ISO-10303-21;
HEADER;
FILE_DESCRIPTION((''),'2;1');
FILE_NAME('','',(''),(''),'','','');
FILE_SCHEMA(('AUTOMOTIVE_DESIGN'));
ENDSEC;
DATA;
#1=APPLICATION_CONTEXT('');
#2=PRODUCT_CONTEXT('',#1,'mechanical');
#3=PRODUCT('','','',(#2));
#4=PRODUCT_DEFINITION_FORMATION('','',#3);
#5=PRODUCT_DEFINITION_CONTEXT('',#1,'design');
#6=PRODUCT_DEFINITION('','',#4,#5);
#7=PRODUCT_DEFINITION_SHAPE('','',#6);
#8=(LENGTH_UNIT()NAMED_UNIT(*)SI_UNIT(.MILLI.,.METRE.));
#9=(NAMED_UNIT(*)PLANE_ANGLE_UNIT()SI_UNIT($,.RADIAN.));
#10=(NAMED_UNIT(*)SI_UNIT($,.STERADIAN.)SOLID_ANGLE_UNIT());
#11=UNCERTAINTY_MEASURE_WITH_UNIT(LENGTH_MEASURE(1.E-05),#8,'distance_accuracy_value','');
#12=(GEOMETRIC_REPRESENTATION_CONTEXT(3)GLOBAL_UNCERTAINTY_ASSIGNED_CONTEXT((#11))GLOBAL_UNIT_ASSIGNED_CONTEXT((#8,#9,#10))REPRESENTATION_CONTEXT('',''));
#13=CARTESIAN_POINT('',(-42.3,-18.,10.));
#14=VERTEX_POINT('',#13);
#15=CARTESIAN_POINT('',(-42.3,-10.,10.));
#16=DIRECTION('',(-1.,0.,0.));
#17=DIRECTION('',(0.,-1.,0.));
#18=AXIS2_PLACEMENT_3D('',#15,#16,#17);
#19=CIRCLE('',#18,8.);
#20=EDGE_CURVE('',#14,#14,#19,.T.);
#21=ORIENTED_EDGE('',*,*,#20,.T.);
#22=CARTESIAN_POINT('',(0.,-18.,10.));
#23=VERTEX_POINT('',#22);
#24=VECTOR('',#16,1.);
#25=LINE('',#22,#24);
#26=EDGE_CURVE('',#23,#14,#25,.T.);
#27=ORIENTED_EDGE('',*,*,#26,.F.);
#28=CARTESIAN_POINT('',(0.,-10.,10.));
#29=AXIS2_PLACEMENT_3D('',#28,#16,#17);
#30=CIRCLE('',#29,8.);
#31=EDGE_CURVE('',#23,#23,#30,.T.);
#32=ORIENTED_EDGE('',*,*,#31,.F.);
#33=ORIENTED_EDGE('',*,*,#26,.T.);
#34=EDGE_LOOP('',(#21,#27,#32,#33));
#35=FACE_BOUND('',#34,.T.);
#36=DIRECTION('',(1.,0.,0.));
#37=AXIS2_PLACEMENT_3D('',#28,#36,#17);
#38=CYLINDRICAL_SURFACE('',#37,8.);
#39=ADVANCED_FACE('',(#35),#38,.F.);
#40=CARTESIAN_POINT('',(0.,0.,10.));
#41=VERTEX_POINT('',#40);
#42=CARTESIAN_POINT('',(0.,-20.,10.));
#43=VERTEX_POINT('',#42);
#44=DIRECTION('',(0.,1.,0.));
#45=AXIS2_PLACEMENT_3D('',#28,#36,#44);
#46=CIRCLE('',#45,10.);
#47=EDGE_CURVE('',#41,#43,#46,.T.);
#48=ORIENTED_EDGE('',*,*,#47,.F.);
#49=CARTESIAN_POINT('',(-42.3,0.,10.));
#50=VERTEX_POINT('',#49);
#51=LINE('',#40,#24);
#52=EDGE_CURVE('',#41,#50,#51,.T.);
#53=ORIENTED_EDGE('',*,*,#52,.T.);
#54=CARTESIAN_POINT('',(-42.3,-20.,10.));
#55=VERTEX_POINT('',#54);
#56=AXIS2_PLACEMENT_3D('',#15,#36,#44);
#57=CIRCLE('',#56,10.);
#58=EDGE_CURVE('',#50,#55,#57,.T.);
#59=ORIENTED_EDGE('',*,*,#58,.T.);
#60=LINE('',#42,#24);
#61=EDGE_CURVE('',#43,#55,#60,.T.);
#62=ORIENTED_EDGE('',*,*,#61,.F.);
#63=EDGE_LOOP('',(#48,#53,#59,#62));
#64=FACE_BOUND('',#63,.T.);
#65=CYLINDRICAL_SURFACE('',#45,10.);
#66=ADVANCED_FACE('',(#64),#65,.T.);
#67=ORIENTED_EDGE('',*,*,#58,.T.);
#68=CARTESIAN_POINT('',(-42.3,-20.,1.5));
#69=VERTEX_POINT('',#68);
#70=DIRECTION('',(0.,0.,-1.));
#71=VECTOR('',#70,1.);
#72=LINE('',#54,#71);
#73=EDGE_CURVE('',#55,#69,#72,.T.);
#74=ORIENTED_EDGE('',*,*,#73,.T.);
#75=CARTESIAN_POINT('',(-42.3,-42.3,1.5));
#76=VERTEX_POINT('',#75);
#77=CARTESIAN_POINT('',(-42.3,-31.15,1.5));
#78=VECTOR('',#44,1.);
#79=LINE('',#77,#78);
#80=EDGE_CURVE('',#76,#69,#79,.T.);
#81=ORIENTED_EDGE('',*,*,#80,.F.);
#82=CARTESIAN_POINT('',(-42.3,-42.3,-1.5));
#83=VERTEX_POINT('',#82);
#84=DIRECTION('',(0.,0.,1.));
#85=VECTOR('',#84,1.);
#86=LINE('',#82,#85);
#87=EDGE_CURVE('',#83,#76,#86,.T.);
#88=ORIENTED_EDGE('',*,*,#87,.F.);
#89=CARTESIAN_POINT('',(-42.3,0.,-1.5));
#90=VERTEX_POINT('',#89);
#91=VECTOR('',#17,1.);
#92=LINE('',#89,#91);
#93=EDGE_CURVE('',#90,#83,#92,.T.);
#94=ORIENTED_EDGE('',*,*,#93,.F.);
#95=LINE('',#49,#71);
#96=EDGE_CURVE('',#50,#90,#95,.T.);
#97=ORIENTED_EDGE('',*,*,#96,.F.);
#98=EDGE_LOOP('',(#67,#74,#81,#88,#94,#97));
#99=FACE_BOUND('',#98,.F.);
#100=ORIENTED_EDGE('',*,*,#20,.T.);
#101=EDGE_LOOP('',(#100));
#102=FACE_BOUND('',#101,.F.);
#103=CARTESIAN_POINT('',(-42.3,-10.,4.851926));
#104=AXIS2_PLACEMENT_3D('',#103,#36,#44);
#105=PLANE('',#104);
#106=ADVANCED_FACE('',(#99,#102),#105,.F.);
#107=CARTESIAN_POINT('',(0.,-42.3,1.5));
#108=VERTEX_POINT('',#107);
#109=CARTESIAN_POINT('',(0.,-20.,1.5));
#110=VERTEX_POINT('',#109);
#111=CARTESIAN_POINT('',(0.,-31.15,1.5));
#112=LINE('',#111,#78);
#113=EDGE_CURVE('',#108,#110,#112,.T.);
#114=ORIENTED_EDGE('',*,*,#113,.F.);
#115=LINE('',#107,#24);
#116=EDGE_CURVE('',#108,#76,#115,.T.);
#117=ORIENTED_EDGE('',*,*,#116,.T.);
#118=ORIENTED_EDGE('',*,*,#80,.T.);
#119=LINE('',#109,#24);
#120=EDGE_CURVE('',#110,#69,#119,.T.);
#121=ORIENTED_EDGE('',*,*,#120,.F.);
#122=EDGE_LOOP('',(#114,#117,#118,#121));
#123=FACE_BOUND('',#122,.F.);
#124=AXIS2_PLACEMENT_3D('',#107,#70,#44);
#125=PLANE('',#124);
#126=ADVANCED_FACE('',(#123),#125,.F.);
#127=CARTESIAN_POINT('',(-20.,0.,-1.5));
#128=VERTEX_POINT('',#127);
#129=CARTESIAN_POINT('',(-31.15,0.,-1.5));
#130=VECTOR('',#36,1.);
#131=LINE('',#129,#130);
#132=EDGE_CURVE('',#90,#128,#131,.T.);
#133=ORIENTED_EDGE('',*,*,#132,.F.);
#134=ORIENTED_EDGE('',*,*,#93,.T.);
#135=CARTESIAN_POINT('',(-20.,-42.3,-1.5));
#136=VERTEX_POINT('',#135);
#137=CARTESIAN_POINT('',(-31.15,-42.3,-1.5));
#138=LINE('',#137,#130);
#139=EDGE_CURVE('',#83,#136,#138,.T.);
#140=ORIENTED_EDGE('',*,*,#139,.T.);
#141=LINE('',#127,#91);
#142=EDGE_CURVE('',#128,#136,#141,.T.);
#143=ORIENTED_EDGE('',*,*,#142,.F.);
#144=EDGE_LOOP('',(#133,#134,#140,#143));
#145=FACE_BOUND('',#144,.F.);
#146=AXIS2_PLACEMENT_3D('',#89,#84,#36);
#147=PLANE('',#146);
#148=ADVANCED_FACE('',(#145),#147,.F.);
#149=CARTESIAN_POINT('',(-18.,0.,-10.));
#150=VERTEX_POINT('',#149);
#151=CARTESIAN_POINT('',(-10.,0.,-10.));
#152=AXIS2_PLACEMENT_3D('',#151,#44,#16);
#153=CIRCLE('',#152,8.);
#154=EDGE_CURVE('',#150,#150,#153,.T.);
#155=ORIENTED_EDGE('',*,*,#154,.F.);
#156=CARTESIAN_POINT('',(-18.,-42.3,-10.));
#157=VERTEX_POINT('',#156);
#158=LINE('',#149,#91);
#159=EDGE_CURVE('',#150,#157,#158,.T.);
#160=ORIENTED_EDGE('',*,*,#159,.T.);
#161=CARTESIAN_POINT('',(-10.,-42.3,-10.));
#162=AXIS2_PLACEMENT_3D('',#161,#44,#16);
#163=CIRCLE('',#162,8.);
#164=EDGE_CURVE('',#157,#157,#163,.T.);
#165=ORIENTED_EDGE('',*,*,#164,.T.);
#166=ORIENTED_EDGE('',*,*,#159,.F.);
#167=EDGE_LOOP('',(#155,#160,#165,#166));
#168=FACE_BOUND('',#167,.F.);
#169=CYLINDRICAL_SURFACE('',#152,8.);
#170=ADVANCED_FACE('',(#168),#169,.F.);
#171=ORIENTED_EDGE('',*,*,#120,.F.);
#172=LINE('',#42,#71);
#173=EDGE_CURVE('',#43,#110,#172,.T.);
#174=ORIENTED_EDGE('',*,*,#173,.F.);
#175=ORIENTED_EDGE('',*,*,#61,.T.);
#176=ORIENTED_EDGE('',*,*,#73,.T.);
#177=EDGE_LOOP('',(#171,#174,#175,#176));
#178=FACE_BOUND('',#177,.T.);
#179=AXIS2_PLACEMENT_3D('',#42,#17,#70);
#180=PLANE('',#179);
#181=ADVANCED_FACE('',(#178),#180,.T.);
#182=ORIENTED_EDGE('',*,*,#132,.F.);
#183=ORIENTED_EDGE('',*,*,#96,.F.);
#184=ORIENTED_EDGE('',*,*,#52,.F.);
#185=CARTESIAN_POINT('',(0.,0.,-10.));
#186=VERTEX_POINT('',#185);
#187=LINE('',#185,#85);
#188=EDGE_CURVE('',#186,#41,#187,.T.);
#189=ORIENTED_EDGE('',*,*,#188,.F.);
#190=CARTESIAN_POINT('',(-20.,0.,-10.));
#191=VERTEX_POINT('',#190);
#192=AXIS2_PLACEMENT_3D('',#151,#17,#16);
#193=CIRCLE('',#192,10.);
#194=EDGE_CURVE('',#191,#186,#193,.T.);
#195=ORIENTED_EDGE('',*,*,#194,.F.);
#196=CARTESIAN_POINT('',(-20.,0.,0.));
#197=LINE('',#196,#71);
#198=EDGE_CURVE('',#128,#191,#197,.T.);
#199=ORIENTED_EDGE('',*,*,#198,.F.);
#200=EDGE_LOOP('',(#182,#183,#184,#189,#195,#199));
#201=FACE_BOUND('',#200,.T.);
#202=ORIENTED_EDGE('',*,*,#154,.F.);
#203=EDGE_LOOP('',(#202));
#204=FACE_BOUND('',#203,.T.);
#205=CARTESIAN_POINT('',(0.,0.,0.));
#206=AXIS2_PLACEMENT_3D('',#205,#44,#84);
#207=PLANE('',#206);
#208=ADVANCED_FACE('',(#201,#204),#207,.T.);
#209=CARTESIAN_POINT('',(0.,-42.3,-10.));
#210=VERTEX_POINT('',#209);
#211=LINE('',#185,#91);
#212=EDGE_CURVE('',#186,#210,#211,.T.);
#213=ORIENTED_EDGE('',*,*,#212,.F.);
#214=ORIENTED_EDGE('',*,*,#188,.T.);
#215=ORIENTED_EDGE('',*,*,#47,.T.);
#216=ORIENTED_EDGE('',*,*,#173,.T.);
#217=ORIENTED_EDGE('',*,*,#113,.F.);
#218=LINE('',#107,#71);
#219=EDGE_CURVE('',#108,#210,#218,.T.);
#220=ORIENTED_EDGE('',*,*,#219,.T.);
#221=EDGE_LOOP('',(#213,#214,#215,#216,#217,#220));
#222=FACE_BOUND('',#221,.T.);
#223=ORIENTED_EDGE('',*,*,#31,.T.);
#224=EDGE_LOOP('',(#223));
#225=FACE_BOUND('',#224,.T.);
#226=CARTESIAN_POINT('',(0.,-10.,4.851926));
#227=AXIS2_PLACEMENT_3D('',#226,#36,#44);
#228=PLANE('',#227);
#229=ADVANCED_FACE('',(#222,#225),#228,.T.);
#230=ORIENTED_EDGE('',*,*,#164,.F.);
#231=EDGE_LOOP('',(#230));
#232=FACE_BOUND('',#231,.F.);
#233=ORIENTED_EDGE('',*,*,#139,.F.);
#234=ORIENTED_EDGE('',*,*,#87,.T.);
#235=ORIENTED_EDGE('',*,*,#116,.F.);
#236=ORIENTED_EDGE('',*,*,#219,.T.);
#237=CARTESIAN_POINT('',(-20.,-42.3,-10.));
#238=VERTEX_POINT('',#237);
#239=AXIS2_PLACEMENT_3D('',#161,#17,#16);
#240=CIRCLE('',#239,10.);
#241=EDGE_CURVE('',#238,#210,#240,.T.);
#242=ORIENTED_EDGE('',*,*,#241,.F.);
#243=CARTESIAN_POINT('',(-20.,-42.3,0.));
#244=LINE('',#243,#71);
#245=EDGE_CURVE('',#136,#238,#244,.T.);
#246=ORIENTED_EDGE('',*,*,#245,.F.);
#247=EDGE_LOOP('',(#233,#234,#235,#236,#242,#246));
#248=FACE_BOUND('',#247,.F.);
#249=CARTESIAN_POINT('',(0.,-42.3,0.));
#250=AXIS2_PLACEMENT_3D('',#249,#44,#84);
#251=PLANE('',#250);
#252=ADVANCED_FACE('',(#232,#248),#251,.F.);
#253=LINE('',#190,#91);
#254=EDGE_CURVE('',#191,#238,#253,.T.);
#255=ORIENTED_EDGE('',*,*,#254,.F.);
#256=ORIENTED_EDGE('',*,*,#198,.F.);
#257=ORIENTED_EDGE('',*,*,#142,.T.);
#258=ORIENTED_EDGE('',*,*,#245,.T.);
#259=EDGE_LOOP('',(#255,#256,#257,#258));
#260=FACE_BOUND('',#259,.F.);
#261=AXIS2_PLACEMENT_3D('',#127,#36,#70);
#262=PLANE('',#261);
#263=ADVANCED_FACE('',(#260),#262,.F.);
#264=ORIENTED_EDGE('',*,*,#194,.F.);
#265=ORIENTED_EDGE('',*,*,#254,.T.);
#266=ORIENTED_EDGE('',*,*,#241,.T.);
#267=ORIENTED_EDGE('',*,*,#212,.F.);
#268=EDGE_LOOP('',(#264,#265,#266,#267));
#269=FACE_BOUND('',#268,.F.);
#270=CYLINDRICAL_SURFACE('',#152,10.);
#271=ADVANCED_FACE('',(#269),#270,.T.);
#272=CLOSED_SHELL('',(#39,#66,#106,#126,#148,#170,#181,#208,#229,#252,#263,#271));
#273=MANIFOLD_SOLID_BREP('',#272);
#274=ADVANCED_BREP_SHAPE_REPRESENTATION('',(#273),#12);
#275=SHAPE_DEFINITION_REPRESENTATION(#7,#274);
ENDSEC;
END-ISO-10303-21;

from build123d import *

# Parameters (mm, degrees)
F0_W     = 22.3
F0_H     = 1.5
F1_DEPTH = 42.3
F2_W     = 22.3
F2_H     = 1.5
F3_DEPTH = 42.3


with BuildPart() as f1:
    # F0 (on Front) → F1 (new body)
    with BuildSketch(Plane.XZ):
        with BuildLine():
            Line((-18, -10), (-20, -10))
            ThreePointArc((-20, -10), (-10, -20), (0, -10))
            Line((0, -10), (-2, -10))
            ThreePointArc((-2, -10), (-10, -18), (-18, -10))
        make_face()
        with BuildLine():
            Line((-20, -1.5), (-20, -10))
            ThreePointArc((-20, -10), (-17.0710678119, -2.9289321881), (-10, 0))
            Line((-10, 0), (-20, 0))
            Line((-20, 0), (-20, -1.5))
        make_face()
        with BuildLine():
            ThreePointArc((-10, 0), (-17.0710678119, -2.9289321881), (-20, -10))
            Line((-20, -10), (-18, -10))
            ThreePointArc((-18, -10), (-10, -2), (-2, -10))
            Line((-2, -10), (0, -10))
            ThreePointArc((0, -10), (-2.9289321881, -2.9289321881), (-10, 0))
        make_face()
        with BuildLine():
            ThreePointArc((-10, 0), (-2.9289321881, -2.9289321881), (0, -10))
            Line((0, -10), (0, 0))
            Line((0, 0), (-10, 0))
        make_face()
        with Locations((-31.15, -0.75)):
            Rectangle(F0_W, F0_H)
    extrude(amount=F1_DEPTH)

    # F2 (on Right) → F3 (join)
    with BuildSketch(Plane.YZ):
        with BuildLine():
            Line((0, 10), (-2, 10))
            ThreePointArc((-2, 10), (-10, 2), (-18, 10))
            Line((-18, 10), (-20, 10))
            ThreePointArc((-20, 10), (-17.0710678119, 2.9289321881), (-10, 0))
            ThreePointArc((-10, 0), (-2.9289321881, 2.9289321881), (0, 10))
        make_face()
        with BuildLine():
            ThreePointArc((-18, 10), (-10, 18), (-2, 10))
            Line((-2, 10), (0, 10))
            ThreePointArc((0, 10), (-10, 20), (-20, 10))
            Line((-20, 10), (-18, 10))
        make_face()
        with BuildLine():
            Line((0, 0), (0, 10))
            ThreePointArc((0, 10), (-2.9289321881, 2.9289321881), (-10, 0))
            Line((-10, 0), (0, 0))
        make_face()
        with BuildLine():
            ThreePointArc((-10, 0), (-17.0710678119, 2.9289321881), (-20, 10))
            Line((-20, 10), (-20, 1.5))
            Line((-20, 1.5), (-20, 0))
            Line((-20, 0), (-10, 0))
        make_face()
        with Locations((-31.15, 0.75)):
            Rectangle(F2_W, F2_H)
    extrude(amount=-F3_DEPTH)


solid = f1.part
